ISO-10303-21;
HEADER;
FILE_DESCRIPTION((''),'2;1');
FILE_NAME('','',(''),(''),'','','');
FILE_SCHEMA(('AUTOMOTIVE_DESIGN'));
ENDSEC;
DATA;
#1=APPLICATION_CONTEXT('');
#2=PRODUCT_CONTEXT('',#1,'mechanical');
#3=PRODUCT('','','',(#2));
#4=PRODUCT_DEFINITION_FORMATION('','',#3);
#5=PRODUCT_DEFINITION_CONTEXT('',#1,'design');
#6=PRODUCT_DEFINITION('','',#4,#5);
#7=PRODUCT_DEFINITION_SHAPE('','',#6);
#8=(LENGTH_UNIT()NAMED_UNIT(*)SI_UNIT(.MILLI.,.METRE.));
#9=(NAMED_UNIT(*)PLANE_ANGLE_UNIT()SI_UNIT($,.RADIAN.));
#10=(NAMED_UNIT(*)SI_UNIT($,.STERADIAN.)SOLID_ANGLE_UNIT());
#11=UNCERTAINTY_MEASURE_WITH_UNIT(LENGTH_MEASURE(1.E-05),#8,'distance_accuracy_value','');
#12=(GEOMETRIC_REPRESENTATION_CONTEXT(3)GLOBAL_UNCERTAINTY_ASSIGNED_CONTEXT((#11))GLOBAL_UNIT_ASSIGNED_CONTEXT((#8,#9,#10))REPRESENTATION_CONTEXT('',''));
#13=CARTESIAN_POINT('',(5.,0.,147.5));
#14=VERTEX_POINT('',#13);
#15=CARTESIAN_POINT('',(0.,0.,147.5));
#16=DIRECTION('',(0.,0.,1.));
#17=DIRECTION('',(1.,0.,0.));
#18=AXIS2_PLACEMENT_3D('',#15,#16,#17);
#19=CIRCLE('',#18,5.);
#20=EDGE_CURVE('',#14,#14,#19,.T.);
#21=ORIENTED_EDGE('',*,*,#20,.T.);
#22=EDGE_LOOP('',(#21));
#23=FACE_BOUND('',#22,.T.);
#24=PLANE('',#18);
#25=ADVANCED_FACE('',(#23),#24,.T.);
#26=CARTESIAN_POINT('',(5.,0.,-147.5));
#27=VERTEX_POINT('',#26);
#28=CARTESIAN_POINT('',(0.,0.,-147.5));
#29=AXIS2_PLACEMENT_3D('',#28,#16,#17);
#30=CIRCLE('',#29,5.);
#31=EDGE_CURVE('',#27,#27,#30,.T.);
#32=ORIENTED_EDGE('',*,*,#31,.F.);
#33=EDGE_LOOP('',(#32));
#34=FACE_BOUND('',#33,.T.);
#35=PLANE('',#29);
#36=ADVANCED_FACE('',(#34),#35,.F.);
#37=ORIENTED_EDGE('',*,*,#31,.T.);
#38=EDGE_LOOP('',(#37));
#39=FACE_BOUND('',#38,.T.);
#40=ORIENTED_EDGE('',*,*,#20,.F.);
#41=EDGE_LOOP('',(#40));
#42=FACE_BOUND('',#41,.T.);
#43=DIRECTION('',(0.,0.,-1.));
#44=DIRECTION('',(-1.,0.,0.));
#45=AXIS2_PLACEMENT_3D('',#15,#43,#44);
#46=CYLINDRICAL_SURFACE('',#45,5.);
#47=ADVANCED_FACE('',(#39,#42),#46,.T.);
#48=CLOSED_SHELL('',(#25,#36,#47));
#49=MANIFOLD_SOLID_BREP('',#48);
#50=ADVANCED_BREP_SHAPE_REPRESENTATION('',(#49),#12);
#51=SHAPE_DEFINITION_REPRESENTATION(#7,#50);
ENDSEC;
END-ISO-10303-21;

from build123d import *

# Parameters (mm, degrees)
ESBO_O1_R                = 5
RESSALTO_EXTRUS_O1_DEPTH = 147.5


with BuildPart() as part:
    # Esboço1 → Ressalto-extrusão1 (new, symmetric)
    with BuildSketch(Plane.XY):
        Circle(ESBO_O1_R)
    extrude(amount=RESSALTO_EXTRUS_O1_DEPTH, both=True)


solid = part.part
